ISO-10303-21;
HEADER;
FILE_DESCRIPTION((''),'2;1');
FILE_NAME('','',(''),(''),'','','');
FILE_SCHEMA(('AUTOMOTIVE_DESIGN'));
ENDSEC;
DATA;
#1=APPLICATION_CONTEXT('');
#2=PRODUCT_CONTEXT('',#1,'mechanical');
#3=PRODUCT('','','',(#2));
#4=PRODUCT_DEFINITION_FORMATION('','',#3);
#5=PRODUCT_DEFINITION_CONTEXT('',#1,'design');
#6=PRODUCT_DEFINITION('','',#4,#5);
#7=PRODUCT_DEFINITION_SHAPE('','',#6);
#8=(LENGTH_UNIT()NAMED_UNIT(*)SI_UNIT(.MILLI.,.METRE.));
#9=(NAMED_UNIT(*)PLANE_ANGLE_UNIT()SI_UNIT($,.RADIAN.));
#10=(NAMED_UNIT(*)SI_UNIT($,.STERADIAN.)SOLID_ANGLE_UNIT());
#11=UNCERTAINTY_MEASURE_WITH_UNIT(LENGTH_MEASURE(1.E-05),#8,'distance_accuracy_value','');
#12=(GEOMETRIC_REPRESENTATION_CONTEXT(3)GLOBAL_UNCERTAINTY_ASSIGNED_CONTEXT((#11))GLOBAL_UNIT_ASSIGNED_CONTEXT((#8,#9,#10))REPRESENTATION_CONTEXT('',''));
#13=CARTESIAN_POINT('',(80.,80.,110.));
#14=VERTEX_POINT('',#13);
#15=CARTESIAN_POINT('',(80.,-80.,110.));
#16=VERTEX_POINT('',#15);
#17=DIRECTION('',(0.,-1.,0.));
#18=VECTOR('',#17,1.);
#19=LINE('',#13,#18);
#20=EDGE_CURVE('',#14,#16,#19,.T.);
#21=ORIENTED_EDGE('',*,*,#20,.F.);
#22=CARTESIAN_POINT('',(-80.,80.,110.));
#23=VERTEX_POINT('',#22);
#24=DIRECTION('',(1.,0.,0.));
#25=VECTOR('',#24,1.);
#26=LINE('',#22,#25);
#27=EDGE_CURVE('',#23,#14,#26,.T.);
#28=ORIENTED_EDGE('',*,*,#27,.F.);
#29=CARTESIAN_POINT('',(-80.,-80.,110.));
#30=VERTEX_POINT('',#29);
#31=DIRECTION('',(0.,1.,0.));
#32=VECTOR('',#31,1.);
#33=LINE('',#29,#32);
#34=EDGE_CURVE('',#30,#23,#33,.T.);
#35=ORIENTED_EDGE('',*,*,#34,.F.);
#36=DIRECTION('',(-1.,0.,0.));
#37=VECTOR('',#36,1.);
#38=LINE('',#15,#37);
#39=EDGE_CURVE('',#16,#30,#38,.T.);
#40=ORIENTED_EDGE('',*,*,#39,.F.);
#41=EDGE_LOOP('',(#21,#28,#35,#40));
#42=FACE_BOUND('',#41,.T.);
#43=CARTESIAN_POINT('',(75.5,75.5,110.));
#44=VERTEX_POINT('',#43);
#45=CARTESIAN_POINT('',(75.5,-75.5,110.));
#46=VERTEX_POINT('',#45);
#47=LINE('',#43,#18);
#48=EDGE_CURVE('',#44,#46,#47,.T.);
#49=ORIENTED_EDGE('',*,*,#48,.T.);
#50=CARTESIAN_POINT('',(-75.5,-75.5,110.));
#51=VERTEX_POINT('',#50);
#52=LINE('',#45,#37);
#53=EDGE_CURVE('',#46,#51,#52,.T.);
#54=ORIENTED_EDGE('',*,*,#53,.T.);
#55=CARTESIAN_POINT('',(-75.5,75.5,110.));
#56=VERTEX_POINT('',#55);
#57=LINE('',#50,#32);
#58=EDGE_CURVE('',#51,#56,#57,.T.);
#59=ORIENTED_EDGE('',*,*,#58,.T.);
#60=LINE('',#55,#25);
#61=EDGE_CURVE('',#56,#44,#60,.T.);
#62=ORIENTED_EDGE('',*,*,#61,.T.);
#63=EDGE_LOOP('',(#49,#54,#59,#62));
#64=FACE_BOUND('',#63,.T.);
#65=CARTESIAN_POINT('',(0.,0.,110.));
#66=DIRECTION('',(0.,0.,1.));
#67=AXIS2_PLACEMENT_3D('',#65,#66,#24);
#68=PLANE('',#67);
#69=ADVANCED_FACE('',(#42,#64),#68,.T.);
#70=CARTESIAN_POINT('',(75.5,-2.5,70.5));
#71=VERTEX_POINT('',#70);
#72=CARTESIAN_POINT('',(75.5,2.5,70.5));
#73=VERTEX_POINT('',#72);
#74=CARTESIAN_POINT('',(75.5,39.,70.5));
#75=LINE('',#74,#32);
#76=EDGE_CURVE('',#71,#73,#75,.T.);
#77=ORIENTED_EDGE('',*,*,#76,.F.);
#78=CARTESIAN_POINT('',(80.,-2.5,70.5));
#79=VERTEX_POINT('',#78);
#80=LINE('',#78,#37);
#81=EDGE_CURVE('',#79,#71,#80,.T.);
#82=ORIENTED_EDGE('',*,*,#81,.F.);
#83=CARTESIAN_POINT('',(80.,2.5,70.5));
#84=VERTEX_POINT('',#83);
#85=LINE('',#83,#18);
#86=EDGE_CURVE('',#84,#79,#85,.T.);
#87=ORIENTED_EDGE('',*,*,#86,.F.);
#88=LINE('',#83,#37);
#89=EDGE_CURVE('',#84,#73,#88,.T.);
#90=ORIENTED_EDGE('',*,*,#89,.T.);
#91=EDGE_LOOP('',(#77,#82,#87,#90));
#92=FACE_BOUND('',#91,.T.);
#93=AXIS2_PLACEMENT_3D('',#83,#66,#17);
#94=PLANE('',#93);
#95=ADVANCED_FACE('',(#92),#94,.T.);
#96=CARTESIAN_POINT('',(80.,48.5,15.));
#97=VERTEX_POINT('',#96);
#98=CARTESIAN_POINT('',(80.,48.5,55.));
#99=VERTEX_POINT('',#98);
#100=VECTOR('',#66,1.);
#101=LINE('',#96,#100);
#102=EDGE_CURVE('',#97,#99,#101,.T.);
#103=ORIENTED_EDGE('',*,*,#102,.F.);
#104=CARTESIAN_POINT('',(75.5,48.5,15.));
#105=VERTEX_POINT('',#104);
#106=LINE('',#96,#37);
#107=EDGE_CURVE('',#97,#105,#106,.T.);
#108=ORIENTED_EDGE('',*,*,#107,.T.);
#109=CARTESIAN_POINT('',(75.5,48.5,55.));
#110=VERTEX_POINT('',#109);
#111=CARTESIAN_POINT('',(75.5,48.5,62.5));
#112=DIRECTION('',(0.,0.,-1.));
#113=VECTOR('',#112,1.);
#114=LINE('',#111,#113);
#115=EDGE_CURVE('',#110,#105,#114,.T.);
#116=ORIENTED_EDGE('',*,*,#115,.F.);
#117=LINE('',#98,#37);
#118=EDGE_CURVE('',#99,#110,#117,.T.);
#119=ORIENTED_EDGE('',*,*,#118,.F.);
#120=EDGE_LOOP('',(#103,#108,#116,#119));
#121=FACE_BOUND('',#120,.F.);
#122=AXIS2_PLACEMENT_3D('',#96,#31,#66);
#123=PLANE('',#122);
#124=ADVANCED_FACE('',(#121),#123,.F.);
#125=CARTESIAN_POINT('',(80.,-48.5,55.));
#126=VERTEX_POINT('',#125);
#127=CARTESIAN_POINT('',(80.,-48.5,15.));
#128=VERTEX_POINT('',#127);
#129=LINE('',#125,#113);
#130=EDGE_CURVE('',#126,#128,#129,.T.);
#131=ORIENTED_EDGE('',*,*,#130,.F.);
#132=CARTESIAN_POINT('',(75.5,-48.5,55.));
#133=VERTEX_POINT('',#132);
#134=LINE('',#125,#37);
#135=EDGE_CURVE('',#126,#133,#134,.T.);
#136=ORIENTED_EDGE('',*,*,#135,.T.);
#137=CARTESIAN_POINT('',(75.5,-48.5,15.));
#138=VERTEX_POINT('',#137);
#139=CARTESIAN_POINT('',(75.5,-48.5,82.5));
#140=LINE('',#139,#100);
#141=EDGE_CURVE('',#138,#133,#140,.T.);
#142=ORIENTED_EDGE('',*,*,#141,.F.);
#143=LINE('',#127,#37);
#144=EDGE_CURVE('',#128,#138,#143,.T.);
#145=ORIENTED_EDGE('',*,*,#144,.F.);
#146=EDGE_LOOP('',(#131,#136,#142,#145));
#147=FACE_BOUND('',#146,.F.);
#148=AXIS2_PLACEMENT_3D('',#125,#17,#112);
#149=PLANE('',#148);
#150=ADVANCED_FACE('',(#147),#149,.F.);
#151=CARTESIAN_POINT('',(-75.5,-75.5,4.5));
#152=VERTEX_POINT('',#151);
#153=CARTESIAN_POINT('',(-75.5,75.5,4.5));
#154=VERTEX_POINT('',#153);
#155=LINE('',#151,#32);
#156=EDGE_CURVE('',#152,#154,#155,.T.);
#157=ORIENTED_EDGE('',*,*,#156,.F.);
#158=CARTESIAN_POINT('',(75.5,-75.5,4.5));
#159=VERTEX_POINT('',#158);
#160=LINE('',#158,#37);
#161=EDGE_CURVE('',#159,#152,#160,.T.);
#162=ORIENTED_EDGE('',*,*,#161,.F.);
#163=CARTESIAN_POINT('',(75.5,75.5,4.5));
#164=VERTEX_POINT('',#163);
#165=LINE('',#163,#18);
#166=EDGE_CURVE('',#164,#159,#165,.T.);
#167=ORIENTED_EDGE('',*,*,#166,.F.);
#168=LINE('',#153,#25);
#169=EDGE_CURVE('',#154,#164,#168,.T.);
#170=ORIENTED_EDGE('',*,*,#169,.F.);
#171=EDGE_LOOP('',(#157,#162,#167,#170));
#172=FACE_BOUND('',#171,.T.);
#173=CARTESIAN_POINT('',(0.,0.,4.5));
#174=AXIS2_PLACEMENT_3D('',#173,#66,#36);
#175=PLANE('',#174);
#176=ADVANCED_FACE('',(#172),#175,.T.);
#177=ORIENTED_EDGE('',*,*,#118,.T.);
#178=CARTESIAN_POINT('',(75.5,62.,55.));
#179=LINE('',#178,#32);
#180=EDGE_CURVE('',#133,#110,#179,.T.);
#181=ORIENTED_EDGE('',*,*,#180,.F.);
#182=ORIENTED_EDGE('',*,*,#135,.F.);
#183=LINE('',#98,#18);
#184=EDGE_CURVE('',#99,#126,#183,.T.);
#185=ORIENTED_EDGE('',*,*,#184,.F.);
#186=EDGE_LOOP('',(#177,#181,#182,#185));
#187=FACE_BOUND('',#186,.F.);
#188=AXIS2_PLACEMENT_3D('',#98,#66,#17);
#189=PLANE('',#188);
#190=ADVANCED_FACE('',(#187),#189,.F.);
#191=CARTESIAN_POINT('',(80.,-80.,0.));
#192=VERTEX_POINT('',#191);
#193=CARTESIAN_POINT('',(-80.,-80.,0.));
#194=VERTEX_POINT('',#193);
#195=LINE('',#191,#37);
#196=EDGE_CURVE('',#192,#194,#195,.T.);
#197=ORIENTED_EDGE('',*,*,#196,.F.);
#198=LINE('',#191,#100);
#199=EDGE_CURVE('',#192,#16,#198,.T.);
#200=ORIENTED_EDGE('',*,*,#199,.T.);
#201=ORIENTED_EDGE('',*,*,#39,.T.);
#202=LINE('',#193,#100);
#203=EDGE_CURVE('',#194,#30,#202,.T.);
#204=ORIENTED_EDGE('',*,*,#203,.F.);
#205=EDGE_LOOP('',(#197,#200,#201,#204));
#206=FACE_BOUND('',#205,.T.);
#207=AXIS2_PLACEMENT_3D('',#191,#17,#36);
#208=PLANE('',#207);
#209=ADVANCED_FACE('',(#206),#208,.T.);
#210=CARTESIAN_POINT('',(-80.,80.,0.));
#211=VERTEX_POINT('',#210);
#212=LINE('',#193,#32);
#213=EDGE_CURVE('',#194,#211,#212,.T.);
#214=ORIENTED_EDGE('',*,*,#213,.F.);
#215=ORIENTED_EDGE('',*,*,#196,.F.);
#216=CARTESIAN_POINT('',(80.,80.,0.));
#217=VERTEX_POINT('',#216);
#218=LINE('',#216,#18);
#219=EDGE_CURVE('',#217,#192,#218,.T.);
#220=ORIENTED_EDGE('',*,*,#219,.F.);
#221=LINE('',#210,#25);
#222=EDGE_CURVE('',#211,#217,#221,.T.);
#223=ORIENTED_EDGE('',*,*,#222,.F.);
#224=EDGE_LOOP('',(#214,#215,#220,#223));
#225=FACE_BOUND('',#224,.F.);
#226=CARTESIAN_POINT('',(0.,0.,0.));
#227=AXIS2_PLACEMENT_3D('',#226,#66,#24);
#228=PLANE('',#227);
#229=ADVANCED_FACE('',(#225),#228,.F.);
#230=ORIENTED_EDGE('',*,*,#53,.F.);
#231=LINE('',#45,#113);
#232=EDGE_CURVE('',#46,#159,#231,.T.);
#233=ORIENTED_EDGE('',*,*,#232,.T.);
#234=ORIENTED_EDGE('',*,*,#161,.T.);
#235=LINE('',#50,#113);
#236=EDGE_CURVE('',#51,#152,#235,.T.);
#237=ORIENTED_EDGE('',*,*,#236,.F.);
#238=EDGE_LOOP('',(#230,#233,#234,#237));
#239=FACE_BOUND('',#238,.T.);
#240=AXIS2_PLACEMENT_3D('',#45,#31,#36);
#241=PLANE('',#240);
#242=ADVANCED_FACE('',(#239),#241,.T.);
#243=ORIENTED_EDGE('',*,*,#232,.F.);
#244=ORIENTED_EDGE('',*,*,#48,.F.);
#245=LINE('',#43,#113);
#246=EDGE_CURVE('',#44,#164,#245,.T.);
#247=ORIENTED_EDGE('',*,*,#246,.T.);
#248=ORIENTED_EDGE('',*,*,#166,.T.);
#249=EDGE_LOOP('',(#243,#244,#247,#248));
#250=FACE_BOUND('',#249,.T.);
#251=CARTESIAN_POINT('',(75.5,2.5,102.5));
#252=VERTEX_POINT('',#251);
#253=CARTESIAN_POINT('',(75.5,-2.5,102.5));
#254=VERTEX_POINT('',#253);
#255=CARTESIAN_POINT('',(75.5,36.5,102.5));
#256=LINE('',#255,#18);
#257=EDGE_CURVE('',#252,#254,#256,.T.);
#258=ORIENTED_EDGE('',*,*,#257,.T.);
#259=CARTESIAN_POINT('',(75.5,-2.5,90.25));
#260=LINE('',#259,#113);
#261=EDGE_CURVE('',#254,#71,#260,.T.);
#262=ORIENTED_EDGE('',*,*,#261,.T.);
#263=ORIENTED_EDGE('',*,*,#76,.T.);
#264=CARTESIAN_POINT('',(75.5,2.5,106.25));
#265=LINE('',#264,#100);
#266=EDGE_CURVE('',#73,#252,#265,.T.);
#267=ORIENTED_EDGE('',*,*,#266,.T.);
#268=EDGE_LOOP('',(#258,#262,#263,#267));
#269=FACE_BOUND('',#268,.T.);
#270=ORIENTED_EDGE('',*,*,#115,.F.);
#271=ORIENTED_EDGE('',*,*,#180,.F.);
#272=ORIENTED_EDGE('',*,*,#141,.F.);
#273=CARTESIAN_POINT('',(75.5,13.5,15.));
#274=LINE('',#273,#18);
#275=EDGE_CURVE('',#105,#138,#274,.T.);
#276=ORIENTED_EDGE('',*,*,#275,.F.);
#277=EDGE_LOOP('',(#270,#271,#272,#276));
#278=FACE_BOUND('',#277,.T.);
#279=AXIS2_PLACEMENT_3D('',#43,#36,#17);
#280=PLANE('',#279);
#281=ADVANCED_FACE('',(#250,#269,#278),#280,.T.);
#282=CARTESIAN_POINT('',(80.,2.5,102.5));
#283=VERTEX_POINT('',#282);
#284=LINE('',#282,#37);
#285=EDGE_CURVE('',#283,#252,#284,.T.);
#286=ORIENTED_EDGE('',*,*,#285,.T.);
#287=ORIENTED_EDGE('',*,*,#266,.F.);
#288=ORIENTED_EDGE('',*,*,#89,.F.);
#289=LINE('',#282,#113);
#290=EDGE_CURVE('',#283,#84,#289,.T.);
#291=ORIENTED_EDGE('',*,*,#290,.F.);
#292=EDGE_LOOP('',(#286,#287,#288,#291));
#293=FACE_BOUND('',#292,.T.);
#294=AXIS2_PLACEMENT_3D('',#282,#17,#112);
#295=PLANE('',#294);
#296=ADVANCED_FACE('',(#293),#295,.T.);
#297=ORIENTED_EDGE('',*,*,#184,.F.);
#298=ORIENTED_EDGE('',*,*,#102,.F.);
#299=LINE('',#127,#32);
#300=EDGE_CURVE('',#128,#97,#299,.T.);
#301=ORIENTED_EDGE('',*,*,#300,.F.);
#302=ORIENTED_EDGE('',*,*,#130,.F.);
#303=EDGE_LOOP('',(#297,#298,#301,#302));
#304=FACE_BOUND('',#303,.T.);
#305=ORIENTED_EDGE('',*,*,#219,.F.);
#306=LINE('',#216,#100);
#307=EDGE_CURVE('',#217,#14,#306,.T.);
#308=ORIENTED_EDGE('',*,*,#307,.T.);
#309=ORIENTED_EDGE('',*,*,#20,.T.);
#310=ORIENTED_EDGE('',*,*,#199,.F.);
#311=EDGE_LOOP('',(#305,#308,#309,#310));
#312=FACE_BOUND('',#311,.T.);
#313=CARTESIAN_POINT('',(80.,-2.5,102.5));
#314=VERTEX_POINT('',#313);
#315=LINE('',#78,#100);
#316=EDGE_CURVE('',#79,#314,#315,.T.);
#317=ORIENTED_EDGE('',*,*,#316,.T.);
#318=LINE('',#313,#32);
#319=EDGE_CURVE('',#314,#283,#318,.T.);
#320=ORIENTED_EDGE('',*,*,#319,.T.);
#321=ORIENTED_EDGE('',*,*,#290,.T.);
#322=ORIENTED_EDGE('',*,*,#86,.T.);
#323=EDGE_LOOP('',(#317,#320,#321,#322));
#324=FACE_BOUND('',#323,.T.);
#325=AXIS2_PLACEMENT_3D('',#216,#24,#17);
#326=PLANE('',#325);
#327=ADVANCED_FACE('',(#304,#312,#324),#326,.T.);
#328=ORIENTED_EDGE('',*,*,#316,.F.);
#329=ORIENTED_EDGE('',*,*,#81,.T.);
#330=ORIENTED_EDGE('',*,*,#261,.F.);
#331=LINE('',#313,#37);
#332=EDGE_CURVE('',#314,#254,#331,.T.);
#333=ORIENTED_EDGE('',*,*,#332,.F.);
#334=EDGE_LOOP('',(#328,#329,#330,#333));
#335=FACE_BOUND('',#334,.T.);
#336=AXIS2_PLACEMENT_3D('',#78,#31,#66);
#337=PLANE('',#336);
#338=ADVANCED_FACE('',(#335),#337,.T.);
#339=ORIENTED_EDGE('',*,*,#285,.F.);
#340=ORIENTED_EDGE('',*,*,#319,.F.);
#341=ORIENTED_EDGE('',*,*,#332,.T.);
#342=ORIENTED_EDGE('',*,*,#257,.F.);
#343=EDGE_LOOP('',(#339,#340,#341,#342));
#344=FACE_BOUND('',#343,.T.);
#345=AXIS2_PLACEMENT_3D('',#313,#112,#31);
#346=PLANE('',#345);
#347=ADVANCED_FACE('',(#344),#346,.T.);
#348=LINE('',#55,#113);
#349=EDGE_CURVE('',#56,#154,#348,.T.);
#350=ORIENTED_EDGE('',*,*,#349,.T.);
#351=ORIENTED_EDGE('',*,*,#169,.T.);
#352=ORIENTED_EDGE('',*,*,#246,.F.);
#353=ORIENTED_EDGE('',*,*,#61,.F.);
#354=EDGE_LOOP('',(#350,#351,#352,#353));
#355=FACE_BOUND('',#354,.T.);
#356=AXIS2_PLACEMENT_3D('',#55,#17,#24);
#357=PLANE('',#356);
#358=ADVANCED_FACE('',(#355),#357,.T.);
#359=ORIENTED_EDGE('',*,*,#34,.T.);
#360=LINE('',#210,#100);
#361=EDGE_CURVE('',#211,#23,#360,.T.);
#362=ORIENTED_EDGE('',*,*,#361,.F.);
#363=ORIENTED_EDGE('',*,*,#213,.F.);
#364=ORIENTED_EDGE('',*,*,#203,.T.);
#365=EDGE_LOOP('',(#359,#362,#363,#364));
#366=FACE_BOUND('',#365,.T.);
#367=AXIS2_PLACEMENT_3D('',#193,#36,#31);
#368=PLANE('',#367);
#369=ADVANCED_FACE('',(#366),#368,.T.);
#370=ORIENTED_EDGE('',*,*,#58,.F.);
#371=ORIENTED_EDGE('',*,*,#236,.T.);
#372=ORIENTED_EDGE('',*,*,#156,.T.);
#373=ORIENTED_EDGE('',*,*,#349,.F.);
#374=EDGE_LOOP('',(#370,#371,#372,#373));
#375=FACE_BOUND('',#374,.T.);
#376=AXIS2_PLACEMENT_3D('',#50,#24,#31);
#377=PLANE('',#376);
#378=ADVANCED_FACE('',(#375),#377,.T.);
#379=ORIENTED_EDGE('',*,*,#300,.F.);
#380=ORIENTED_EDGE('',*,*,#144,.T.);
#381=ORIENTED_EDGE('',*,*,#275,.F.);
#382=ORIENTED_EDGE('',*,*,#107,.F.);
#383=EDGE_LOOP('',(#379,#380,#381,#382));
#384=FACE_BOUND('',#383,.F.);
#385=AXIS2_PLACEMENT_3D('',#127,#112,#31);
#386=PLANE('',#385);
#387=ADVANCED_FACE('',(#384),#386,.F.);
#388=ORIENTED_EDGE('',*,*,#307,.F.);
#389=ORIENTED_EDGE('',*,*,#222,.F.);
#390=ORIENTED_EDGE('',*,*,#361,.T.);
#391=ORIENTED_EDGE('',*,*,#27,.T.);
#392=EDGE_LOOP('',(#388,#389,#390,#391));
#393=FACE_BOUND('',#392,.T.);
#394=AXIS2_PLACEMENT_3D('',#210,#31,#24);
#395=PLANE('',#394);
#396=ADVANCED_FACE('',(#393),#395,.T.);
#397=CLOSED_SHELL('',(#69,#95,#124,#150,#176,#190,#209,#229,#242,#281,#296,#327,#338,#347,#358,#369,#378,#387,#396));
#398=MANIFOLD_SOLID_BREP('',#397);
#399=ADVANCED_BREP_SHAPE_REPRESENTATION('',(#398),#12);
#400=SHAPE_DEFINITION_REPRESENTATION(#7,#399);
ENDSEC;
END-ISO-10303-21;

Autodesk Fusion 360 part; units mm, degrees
sketch "Sketch1" plane through (0, 0, 0) normal (0, 0, 1) x (1, 0, 0)
  line L0 (-80, 80) -> (80, 80)
  line L1 (80, 80) -> (80, -80)
  line L2 (80, -80) -> (-80, -80)
  line L3 (-80, -80) -> (-80, 80)
  line L4 (-80, 80) -> (80, -80) construction
  line L5 (80, 80) -> (-80, -80) construction
  dimension "d1" = 160
  dimension "d3" = 160
extrude "Extrude1" add sketch "Sketch1" along normal blind 110
sketch "Sketch3" plane through (0, 0, 110) normal (0, 0, 1) x (-1, 0, 0)
  line L0 (80, 80) -> (-80, 80)
  line L1 (-80, 80) -> (-80, -80)
  line L2 (-80, -80) -> (80, -80)
  line L3 (80, -80) -> (80, 80)
  line L4 (75.5, -75.5) -> (-75.5, -75.5)
  line L5 (-75.5, -75.5) -> (-75.5, 75.5)
  line L6 (-75.5, 75.5) -> (75.5, 75.5)
  line L7 (75.5, 75.5) -> (75.5, -75.5)
  line L8 (75.5, -75.5) -> (-75.5, 75.5) construction
  line L9 (-75.5, -75.5) -> (75.5, 75.5) construction
  dimension "d7" = 151
  dimension "d8" = 151
extrude "Extrude2" cut sketch "Sketch3" against normal blind 105.5 contours L4 L5 L6 L7
sketch "Sketch4" plane through (80, 0, 0) normal (1, 0, 0) x (0, 1, 0)
  line L0 (-80, 0) -> (80, 0)
  line L1 (80, 0) -> (80, 110)
  line L2 (80, 110) -> (-80, 110)
  line L3 (-80, 110) -> (-80, 0)
  line L4 (2.5, 70.5) -> (-2.5, 70.5)
  line L5 (-2.5, 70.5) -> (-2.5, 102.5)
  line L6 (-2.5, 102.5) -> (2.5, 102.5)
  line L7 (2.5, 102.5) -> (2.5, 70.5)
  line L8 (2.5, 70.5) -> (-2.5, 102.5) construction
  line L9 (-2.5, 70.5) -> (2.5, 102.5) construction
  point P0 (0, 86.5)
  dimension "d11" = 7.5
  dimension "d12" = 32
  dimension "d13" = 5
  dimension "d14" = 77.5
extrude "Extrude3" cut sketch "Sketch4" against normal blind 5 contours L4 L5 L6 L7
sketch "Sketch5" plane through (80, 0, 0) normal (1, 0, 0) x (0, 1, 0)
  line L0 (-2.5, 70.5) -> (-2.5, 102.5)
  line L1 (-2.5, 102.5) -> (2.5, 102.5)
  line L2 (2.5, 102.5) -> (2.5, 70.5)
  line L3 (2.5, 70.5) -> (-2.5, 70.5)
  line L4 (-80, 0) -> (80, 0)
  line L5 (80, 0) -> (80, 110)
  line L6 (80, 110) -> (-80, 110)
  line L7 (-80, 110) -> (-80, 0)
  line L8 (48.5, 55) -> (-48.5, 55)
  line L9 (-48.5, 55) -> (-48.5, 15)
  line L10 (-48.5, 15) -> (48.5, 15)
  line L11 (48.5, 15) -> (48.5, 55)
  line L12 (48.5, 55) -> (-48.5, 15) construction
  line L13 (-48.5, 55) -> (48.5, 15) construction
  point P0 (0, 35)
  dimension "d17" = 97
  dimension "d18" = 31.5
  dimension "d19" = 40
  dimension "d20" = 15
extrude "Extrude4" cut sketch "Sketch5" against normal blind 5 contours L8 L9 L10 L11
equation "d1 = Cube_size"
equation "d3 = Cube_size"
equation "Cube_size = 160 mm"
equation "d5 = Cube_size / 16 * 11"
equation "d7 = Cube_size - Cube_size * 0.05625"
equation "d8 = Cube_size - Cube_size * 0.05625"
equation "d9 = 0.6875 * Cube_size * 0.0409090909090909 - 0.6875 * Cube_size"
equation "d11 = 0.6875 * Cube_size * 0.0681818181818182"
equation "d12 = 0.6875 * Cube_size * 0.2909090909090909"
equation "d13 = 0.0454545454545455 * 0.6875 * Cube_size"
equation "d14 = ( Cube_size - 0.0454545454545455 * 0.6875 * Cube_size ) / 2"
equation "d15 = -Cube_size * 0.03125"
equation "d17 = Cube_size * 0.60625"
equation "d18 = Cube_size * 0.196875"
equation "d19 = 0.25 * Cube_size"
equation "d20 = Cube_size * 0.09375"
equation "d21 = -Cube_size * 0.03125"
